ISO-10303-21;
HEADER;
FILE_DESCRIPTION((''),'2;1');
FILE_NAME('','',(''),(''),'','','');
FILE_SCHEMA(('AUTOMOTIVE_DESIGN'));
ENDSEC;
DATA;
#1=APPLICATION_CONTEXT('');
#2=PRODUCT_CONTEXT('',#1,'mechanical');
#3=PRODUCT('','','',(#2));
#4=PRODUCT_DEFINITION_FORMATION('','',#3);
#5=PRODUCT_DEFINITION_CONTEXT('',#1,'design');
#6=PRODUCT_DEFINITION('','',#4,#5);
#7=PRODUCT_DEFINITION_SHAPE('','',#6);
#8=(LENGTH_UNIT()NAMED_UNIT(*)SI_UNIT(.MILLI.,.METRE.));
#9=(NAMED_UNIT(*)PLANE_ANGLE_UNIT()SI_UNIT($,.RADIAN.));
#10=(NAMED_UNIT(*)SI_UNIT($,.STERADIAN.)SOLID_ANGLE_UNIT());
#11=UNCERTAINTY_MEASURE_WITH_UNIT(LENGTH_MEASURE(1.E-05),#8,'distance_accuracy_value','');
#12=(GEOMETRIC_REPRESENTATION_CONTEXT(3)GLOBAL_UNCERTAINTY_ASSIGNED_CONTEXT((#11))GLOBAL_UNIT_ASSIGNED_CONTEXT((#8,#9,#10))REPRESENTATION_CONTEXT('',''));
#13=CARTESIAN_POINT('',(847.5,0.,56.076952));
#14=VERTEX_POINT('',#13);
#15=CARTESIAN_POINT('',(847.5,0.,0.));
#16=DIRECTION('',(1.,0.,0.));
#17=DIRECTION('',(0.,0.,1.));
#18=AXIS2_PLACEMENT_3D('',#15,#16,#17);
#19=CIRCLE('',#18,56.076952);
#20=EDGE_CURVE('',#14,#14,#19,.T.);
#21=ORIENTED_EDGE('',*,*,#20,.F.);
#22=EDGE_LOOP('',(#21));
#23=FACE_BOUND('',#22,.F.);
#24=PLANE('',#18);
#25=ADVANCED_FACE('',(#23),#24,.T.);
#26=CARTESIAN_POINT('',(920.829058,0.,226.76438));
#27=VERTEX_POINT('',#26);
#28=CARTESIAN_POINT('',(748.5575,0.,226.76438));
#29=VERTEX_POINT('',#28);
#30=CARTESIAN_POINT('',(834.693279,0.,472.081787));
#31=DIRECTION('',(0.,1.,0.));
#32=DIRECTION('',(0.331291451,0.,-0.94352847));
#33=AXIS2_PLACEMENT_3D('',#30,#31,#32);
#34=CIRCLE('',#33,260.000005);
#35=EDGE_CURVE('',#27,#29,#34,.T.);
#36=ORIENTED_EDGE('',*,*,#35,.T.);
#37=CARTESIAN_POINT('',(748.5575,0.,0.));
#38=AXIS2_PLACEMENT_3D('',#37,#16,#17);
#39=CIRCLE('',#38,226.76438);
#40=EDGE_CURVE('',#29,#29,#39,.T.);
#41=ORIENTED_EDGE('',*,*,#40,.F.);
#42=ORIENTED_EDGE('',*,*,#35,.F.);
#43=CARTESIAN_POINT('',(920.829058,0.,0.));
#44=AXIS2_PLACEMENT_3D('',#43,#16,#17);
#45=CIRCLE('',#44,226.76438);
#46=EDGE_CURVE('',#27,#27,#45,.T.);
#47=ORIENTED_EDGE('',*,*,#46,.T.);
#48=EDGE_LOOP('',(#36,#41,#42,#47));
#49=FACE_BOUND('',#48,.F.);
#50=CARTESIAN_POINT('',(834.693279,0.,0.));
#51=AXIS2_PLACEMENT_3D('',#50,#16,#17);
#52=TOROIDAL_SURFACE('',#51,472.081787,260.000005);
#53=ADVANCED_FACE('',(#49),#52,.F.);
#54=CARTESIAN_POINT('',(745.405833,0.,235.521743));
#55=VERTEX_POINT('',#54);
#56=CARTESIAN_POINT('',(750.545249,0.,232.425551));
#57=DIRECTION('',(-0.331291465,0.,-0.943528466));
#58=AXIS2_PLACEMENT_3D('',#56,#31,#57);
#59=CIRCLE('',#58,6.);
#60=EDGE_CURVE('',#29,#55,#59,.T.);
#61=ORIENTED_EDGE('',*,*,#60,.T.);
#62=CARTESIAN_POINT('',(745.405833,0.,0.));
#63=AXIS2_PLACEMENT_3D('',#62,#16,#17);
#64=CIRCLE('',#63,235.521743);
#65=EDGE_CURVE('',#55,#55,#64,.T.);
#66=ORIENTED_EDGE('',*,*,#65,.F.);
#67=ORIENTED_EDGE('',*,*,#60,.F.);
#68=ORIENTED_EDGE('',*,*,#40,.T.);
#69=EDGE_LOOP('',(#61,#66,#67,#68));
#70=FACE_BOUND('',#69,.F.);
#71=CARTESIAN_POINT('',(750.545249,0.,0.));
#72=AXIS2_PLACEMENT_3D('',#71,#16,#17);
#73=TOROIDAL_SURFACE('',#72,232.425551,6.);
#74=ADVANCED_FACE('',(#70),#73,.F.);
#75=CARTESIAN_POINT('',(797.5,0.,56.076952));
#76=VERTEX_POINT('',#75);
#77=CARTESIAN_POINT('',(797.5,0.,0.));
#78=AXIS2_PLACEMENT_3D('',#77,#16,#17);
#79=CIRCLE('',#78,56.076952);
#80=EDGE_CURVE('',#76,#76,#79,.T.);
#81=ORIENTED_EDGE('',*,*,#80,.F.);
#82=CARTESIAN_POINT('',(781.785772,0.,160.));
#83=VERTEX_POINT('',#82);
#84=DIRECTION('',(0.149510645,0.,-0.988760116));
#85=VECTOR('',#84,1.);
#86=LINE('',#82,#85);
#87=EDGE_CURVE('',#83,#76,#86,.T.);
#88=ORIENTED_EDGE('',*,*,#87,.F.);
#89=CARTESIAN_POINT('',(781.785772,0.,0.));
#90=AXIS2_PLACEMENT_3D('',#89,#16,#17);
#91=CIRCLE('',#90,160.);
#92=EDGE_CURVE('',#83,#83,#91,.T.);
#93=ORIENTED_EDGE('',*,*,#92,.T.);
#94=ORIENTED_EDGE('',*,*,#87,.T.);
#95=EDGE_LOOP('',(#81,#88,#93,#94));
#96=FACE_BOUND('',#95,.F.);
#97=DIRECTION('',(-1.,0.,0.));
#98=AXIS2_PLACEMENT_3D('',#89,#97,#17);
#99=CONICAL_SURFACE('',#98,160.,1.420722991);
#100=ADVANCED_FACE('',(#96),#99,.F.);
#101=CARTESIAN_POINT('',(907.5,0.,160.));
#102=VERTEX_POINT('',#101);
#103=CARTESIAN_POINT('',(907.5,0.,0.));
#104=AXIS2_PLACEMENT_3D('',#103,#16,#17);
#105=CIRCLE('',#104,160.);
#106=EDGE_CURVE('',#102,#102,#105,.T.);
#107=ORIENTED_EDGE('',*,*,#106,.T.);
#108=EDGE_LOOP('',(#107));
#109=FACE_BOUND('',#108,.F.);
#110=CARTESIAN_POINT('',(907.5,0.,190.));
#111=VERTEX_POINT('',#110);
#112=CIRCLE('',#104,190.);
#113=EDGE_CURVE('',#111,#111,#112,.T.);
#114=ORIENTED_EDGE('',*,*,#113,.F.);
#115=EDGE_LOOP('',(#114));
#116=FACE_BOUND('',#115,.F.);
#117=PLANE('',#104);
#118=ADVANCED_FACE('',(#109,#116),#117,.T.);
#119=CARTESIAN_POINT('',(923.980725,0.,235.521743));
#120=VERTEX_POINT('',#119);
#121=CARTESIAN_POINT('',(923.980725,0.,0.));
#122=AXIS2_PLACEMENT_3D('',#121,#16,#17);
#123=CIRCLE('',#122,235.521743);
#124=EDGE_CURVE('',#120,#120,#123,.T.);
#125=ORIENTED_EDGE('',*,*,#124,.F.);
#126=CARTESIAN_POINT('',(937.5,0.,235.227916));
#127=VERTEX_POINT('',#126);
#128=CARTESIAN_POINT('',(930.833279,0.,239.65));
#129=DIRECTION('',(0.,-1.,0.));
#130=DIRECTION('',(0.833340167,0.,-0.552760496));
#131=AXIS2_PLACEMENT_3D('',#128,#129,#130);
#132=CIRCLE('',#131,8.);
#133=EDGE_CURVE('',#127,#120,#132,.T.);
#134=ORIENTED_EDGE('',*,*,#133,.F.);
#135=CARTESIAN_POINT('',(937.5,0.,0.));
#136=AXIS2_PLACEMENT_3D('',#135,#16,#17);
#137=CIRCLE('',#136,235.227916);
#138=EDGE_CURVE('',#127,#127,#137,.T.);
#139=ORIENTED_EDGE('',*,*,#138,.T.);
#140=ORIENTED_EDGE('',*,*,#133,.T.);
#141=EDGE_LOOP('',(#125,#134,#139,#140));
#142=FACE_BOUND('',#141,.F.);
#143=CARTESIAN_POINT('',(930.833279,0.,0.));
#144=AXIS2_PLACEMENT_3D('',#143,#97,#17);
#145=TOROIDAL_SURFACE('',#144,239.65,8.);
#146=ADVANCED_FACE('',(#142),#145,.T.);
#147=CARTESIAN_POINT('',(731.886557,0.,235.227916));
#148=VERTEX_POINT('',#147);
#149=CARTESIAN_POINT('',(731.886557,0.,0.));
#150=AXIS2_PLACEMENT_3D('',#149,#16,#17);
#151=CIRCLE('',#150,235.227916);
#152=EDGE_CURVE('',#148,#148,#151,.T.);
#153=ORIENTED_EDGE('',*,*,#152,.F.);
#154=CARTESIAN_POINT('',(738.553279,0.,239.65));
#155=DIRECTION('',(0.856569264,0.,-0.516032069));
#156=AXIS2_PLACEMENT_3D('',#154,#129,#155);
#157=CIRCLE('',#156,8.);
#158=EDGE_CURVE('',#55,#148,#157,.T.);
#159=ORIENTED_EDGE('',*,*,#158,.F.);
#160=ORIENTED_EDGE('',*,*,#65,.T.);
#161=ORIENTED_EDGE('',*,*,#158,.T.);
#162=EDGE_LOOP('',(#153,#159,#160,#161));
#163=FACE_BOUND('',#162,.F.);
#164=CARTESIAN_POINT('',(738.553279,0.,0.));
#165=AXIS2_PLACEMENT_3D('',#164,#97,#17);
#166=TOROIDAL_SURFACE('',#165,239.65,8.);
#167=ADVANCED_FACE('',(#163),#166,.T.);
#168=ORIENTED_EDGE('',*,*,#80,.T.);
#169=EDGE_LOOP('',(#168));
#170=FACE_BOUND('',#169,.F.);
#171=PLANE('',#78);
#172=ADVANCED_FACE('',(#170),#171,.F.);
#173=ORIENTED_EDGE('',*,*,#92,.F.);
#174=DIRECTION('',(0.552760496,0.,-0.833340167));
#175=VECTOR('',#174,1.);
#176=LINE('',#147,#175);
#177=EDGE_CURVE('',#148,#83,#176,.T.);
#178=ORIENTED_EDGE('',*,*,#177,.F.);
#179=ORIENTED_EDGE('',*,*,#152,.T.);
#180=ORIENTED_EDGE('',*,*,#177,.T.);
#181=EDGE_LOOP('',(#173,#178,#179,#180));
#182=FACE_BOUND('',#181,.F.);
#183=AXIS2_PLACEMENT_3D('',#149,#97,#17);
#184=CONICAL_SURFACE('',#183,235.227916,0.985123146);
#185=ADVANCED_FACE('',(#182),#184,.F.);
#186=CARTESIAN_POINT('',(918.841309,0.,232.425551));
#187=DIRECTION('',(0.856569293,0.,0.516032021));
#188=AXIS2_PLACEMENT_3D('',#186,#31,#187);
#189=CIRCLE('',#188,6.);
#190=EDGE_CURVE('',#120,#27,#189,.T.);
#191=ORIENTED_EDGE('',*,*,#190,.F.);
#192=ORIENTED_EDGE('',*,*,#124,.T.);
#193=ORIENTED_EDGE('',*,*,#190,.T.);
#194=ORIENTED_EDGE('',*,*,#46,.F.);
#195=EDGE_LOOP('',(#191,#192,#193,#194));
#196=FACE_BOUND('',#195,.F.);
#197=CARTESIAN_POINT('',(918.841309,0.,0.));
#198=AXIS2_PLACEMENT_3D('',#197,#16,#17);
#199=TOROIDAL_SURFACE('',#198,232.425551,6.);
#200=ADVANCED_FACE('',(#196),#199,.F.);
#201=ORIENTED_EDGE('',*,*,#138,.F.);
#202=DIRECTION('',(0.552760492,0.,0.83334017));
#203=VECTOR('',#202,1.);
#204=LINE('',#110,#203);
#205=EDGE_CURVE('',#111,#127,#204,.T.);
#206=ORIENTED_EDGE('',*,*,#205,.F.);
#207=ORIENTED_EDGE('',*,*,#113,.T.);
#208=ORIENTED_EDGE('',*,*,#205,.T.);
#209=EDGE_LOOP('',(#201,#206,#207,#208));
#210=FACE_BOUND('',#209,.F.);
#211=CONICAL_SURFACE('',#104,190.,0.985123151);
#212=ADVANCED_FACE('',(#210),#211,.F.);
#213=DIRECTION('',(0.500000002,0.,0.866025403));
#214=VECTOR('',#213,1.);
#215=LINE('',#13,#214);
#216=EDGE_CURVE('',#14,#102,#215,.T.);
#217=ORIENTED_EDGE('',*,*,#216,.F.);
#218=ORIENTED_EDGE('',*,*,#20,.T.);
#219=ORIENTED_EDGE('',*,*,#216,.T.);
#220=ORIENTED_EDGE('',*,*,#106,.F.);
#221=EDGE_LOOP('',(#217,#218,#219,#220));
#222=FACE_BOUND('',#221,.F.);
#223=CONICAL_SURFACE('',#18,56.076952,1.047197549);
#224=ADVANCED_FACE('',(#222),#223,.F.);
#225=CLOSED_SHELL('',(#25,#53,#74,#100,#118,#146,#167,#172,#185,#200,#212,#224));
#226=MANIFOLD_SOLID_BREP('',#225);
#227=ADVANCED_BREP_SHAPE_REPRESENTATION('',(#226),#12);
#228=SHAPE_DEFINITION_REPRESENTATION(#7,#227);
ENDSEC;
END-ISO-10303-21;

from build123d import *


with BuildPart() as f1:
    # F0 (on Front) → F1 (revolve)
    with BuildSketch(Plane.XZ):
        with BuildLine():
            Line((797.5, 0), (847.5, 0))
            Line((847.5, 0), (847.5, 56.076952))
            Line((847.5, 56.076952), (907.5, 160))
            Line((907.5, 160), (907.5, 190))
            Line((907.5, 190), (937.5, 235.227916))
            ThreePointArc((937.5, 235.227916), (931.007109, 247.648111), (923.980725, 235.521743))
            ThreePointArc((923.980725, 235.521743), (924.486836, 230.393796), (920.829058, 226.76438))
            ThreePointArc((920.829058, 226.76438), (834.693279, 212.081782), (748.5575, 226.76438))
            ThreePointArc((748.5575, 226.76438), (744.899722, 230.393796), (745.405833, 235.521743))
            ThreePointArc((745.405833, 235.521743), (738.379448, 247.648111), (731.886557, 235.227916))
            Line((731.886557, 235.227916), (781.785772, 160))
            Line((781.785772, 160), (797.5, 56.076952))
            Line((797.5, 56.076952), (797.5, 0))
        make_face()
    revolve(axis=Axis((498.75, 0, 0), (1, 0, 0)))


solid = f1.part
